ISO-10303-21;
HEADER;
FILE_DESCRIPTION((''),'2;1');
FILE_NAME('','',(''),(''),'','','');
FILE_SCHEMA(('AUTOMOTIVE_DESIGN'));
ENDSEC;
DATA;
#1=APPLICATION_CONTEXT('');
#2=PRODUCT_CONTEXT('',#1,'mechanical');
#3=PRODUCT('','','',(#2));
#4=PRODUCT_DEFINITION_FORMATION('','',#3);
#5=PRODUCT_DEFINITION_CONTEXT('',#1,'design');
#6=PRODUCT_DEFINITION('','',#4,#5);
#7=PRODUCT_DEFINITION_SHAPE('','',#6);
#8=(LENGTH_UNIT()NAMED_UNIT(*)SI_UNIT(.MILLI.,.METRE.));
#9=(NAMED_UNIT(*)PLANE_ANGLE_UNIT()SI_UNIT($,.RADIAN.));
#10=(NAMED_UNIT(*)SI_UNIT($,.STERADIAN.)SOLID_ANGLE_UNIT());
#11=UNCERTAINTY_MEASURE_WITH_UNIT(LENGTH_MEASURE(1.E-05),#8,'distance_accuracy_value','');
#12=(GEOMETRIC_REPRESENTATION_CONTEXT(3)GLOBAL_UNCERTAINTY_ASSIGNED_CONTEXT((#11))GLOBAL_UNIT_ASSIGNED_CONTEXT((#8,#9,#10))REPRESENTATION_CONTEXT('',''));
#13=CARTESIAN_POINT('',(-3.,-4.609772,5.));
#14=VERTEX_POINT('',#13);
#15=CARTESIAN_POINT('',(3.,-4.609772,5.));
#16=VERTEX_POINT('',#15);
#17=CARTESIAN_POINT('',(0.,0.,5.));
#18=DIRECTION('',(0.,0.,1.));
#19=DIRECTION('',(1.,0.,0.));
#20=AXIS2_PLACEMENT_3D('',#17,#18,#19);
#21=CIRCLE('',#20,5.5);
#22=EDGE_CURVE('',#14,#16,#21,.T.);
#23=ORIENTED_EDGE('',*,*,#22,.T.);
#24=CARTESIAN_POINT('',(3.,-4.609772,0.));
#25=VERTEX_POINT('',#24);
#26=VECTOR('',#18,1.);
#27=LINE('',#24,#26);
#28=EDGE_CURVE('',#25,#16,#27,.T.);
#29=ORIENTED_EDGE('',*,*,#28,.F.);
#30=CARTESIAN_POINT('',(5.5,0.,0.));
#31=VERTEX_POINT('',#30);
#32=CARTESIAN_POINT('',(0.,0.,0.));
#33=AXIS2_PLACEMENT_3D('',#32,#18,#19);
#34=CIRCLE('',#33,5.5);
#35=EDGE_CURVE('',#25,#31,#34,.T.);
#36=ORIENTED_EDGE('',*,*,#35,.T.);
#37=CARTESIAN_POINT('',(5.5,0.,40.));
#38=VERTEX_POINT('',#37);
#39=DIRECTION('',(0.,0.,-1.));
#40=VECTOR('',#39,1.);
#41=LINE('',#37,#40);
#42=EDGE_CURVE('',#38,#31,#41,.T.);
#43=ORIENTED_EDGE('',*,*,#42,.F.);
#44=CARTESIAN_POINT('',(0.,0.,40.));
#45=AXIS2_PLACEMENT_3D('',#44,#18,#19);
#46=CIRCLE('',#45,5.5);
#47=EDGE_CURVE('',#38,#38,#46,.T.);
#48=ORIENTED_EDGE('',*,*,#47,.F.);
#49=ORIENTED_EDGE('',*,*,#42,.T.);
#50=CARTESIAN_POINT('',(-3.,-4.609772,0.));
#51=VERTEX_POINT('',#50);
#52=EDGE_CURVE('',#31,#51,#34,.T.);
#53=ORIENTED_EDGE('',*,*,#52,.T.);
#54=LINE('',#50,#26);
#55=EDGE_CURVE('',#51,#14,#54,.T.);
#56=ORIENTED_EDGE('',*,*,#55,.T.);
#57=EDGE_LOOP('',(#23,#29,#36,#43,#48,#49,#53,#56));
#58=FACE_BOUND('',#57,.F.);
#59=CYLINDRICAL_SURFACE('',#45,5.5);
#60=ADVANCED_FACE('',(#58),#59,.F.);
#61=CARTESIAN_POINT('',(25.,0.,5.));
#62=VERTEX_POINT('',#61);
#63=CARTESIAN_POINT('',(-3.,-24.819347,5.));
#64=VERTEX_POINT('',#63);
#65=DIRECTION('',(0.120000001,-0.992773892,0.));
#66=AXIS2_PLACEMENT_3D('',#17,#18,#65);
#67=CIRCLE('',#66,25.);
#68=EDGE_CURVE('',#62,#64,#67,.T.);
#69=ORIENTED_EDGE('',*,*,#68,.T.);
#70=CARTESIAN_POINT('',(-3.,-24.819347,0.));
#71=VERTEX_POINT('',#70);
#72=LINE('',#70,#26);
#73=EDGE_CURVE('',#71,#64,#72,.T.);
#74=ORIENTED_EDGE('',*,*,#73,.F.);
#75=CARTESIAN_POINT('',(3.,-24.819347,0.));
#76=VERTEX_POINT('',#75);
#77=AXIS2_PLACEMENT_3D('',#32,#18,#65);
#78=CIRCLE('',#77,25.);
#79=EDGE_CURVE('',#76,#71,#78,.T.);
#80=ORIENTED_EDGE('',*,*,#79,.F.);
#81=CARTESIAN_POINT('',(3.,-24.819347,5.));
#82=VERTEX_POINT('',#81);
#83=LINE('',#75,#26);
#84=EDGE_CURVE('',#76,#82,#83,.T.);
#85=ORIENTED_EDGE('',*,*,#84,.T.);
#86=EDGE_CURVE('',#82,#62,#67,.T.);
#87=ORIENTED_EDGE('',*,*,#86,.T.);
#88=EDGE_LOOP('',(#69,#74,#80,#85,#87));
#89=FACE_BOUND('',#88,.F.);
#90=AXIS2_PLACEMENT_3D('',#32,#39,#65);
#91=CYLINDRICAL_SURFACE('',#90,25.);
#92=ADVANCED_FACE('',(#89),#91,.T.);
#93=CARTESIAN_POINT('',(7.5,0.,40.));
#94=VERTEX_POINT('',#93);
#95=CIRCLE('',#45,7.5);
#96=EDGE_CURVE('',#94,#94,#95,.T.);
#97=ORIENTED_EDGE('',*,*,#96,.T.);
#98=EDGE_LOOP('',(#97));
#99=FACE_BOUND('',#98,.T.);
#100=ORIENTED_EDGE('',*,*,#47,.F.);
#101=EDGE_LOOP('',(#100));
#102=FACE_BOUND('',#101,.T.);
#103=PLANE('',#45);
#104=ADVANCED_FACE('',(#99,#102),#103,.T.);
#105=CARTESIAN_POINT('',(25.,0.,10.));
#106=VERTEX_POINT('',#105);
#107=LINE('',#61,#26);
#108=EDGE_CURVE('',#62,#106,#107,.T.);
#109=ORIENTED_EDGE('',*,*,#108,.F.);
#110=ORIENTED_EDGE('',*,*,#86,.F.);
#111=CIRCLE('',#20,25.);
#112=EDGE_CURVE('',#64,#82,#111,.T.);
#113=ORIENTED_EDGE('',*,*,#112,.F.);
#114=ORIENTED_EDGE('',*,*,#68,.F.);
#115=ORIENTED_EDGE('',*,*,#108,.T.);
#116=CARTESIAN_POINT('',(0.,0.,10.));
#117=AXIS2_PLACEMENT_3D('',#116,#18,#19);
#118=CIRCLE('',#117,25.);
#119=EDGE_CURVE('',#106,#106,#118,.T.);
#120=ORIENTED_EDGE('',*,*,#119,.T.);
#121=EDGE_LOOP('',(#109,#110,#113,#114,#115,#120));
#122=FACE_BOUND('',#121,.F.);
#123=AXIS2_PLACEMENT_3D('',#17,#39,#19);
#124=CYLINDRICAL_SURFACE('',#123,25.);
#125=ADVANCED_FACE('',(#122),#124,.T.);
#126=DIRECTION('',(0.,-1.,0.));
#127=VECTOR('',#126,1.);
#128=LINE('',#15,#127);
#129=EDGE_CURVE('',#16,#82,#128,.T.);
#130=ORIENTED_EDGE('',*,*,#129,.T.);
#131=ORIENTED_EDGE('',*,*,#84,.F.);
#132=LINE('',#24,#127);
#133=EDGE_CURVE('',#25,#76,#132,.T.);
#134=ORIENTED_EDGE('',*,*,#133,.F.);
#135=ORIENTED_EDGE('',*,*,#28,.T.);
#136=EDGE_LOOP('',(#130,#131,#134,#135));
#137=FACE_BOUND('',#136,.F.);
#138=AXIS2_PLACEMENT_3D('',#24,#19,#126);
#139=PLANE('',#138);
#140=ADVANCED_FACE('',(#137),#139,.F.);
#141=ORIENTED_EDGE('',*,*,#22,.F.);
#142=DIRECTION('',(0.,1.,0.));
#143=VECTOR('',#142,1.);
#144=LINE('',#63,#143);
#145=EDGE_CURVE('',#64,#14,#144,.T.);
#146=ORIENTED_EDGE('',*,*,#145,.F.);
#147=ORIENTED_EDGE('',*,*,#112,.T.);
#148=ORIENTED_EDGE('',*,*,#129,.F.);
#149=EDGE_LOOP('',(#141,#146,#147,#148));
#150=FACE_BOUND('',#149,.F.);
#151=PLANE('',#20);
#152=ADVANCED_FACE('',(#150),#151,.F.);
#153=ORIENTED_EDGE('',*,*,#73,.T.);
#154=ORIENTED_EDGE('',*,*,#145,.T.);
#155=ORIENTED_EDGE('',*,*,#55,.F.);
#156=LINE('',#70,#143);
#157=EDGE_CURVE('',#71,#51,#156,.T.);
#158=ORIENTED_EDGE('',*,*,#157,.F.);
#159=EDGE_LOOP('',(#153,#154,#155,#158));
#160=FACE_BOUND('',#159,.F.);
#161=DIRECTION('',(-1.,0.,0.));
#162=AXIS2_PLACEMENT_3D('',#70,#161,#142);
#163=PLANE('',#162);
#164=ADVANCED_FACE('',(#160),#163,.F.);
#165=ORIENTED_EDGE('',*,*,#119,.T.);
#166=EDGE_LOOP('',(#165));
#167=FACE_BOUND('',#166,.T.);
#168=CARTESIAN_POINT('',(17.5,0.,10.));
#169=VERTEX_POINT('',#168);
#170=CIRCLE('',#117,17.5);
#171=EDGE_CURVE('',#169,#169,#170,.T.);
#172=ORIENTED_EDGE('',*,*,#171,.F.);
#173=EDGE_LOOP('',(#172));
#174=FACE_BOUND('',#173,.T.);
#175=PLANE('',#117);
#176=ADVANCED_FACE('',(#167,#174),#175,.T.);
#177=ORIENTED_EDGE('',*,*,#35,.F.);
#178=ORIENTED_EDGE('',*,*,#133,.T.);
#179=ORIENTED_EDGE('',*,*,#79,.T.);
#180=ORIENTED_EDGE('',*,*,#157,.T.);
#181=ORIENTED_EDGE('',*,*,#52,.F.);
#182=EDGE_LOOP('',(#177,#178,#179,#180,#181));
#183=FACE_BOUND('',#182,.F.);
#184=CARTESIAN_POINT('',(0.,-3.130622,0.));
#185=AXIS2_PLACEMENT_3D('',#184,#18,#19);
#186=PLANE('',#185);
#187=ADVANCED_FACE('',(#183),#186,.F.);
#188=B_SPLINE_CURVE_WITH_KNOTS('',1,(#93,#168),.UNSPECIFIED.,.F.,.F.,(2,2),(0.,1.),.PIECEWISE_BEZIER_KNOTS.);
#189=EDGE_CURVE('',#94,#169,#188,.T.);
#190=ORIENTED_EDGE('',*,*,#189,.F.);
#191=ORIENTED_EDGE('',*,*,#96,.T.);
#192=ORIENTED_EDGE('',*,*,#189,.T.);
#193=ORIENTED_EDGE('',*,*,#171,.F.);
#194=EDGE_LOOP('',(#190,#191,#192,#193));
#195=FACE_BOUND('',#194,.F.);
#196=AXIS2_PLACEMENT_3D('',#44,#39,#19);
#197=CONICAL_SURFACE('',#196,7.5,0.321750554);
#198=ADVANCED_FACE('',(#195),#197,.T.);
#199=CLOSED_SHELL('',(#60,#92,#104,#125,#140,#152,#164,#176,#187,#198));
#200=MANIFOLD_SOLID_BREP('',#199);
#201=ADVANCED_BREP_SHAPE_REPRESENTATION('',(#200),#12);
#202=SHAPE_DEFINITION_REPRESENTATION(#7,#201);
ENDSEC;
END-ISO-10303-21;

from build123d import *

# Parameters (mm, degrees)
F1_DEPTH = 5
F2_R     = 25
F3_DEPTH = 5
F6_R     = 7.5
F4_R     = 17.5
F8_R     = 5.5
F9_DEPTH = 40


with BuildPart() as f1:
    # F0 (on Top) → F1 (new body)
    with BuildSketch(Plane.XY):
        with BuildLine():
            Line((3, -4.609772), (3, -24.819347))
            ThreePointArc((3, -24.819347), (0, 25), (-3, -24.819347))
            Line((-3, -24.819347), (-3, -4.609772))
            Line((-3, -4.609772), (3, -4.609772))
        make_face()
    extrude(amount=F1_DEPTH)

    # F2 (on face) → F3 (join)
    with BuildSketch(Plane.XY.offset(5)):
        Circle(F2_R)
    extrude(amount=F3_DEPTH)

    # F6 (on offset) → F7 section 0
    with BuildSketch(Plane.XY.offset(40)):
        Circle(F6_R)
    # F4 (on face) → F7 section 1
    with BuildSketch(Plane.XY.offset(10)):
        Circle(F4_R)
    loft()

    # F8 (on face) → F9 (cut, through all)
    with BuildSketch(Plane.XY.offset(40)):
        Circle(F8_R)
    extrude(amount=-F9_DEPTH, mode=Mode.SUBTRACT)


solid = f1.part
